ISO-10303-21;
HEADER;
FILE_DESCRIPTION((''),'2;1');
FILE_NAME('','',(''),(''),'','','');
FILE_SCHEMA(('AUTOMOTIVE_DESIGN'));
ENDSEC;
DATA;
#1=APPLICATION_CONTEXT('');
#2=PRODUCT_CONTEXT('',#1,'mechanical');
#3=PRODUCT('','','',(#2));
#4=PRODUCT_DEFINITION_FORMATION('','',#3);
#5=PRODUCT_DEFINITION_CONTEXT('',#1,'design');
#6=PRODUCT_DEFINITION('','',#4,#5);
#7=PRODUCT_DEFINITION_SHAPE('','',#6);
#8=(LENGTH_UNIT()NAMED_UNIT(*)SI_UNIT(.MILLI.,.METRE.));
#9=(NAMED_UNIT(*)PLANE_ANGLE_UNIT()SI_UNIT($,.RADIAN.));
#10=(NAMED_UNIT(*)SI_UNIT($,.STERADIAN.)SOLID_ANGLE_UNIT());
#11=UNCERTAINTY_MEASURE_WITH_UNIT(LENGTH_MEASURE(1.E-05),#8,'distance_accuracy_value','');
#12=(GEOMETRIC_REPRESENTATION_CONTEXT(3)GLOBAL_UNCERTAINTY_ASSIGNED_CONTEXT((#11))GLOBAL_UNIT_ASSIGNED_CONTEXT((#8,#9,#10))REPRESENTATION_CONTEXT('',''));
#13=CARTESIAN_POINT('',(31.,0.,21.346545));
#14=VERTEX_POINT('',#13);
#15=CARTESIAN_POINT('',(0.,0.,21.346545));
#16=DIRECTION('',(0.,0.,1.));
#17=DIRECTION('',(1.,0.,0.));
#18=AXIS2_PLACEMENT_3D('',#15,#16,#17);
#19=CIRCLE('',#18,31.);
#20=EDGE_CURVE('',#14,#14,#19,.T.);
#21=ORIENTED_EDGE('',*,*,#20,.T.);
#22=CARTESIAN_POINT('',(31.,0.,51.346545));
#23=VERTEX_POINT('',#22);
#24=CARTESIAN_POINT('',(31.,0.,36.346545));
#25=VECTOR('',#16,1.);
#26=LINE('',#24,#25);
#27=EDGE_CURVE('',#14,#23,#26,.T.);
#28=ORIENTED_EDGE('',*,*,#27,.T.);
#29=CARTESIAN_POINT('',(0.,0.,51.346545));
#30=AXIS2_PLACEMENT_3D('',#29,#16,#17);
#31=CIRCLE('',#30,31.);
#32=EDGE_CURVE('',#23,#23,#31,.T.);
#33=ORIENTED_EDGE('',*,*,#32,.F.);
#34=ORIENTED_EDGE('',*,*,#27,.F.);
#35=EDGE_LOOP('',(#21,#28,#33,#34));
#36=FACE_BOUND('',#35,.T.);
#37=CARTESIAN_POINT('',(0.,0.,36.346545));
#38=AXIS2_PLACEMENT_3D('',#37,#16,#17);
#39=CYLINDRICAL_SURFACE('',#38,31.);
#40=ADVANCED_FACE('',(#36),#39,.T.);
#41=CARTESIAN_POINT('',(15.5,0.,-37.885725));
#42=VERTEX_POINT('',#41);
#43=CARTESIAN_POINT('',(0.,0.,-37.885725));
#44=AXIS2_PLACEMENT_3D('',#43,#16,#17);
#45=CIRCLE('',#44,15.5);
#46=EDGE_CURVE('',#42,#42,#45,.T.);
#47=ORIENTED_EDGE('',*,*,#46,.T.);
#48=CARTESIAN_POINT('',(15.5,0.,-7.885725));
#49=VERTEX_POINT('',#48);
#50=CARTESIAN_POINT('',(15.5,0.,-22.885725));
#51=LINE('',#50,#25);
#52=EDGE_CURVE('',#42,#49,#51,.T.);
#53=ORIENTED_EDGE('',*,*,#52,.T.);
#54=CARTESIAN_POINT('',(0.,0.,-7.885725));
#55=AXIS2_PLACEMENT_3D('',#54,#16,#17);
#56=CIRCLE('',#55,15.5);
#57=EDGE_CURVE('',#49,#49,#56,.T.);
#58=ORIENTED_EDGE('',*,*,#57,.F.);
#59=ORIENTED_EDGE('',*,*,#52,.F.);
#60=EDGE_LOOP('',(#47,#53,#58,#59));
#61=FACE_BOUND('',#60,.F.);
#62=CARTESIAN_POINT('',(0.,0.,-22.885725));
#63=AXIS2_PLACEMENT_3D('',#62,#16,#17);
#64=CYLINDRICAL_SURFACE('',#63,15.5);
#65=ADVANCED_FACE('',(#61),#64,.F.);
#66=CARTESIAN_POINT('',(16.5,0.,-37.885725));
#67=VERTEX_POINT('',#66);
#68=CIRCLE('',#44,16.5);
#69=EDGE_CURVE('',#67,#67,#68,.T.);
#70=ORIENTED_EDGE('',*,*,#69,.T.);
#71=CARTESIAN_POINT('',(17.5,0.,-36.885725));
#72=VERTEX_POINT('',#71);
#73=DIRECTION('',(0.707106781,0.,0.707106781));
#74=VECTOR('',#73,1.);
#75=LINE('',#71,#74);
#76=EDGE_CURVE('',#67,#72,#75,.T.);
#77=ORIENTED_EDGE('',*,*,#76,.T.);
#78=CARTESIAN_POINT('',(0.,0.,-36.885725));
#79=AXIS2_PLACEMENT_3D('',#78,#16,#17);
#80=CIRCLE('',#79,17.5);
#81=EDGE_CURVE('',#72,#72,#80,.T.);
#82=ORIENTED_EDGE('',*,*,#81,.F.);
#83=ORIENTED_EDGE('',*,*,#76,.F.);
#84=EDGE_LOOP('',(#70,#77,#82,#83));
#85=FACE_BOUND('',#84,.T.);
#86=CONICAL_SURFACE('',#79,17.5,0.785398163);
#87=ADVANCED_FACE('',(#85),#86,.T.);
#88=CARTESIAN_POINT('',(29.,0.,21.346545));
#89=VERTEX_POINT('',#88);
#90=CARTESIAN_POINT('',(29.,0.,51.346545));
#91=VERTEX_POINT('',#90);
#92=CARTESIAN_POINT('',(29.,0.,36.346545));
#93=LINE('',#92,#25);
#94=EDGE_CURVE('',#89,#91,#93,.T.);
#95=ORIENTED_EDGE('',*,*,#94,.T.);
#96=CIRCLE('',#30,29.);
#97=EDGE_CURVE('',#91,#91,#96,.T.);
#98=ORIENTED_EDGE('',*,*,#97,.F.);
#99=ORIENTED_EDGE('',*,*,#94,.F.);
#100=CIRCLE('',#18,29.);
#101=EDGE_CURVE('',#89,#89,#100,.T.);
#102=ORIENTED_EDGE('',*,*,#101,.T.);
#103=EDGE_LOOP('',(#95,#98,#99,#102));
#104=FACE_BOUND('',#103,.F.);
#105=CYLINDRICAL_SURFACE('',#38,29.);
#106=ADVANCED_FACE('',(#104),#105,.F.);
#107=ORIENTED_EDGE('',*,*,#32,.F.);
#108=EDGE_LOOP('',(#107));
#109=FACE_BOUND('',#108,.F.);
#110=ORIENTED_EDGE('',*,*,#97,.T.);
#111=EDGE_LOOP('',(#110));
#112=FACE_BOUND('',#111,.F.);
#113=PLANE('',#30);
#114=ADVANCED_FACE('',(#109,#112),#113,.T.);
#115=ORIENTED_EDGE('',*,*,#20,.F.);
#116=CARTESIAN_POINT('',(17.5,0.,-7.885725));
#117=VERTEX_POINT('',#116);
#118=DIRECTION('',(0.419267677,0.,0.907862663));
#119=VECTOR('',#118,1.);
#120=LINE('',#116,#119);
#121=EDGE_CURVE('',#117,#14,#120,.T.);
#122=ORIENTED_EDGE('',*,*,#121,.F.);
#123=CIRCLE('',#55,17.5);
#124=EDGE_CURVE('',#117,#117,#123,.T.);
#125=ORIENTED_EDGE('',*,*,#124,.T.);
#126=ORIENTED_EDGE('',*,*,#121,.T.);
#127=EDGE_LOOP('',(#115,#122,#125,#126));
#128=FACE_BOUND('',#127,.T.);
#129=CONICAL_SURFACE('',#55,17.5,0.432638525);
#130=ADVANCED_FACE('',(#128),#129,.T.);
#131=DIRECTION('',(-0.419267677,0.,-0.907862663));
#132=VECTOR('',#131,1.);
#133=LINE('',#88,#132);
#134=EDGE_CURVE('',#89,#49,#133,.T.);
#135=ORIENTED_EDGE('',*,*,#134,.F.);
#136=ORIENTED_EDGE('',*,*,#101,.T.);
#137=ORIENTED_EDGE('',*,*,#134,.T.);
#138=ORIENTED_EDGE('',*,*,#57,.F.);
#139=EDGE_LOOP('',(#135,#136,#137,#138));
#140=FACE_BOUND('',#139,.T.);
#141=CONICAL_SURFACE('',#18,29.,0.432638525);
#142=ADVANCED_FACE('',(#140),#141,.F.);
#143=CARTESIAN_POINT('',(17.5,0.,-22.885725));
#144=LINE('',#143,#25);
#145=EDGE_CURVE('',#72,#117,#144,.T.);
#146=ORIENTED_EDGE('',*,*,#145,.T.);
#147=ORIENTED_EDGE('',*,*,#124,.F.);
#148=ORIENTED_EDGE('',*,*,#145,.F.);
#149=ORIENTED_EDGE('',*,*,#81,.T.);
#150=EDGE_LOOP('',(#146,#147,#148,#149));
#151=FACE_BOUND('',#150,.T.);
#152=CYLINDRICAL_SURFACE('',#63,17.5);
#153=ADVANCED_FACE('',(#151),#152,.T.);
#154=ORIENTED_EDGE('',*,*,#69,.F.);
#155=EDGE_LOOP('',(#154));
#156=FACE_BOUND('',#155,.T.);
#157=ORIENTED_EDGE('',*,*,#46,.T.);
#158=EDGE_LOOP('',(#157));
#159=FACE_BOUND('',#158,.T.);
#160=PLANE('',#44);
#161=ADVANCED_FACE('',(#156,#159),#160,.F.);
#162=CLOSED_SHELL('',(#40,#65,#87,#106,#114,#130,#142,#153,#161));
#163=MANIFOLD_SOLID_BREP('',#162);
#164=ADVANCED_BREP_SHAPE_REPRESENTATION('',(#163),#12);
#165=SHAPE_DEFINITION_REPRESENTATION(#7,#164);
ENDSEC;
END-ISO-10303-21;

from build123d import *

# Parameters (mm, degrees)
F0_W    = 2
F0_H    = 30
F2_SIZE = 1


with BuildPart() as f1:
    # F0 (on Front) → F1 (revolve)
    with BuildSketch(Plane.XZ):
        with Locations((30, 36.346545)):
            Rectangle(F0_W, F0_H)
        Polygon((31, 21.346545), (29, 21.346545), (15.5, -7.885725), (17.5, -7.885725), align=None)
        with Locations((16.5, -22.885725)):
            Rectangle(F0_W, F0_H)
    revolve(axis=Axis((0, 0, 12.964369), (0, 0, 1)))

    # F2
    f2_edges = [f1.edges().sort_by_distance(p)[0] for p in [
        (-17.5, 0, -37.885725),
    ]]
    chamfer(f2_edges, length=F2_SIZE)


solid = f1.part
